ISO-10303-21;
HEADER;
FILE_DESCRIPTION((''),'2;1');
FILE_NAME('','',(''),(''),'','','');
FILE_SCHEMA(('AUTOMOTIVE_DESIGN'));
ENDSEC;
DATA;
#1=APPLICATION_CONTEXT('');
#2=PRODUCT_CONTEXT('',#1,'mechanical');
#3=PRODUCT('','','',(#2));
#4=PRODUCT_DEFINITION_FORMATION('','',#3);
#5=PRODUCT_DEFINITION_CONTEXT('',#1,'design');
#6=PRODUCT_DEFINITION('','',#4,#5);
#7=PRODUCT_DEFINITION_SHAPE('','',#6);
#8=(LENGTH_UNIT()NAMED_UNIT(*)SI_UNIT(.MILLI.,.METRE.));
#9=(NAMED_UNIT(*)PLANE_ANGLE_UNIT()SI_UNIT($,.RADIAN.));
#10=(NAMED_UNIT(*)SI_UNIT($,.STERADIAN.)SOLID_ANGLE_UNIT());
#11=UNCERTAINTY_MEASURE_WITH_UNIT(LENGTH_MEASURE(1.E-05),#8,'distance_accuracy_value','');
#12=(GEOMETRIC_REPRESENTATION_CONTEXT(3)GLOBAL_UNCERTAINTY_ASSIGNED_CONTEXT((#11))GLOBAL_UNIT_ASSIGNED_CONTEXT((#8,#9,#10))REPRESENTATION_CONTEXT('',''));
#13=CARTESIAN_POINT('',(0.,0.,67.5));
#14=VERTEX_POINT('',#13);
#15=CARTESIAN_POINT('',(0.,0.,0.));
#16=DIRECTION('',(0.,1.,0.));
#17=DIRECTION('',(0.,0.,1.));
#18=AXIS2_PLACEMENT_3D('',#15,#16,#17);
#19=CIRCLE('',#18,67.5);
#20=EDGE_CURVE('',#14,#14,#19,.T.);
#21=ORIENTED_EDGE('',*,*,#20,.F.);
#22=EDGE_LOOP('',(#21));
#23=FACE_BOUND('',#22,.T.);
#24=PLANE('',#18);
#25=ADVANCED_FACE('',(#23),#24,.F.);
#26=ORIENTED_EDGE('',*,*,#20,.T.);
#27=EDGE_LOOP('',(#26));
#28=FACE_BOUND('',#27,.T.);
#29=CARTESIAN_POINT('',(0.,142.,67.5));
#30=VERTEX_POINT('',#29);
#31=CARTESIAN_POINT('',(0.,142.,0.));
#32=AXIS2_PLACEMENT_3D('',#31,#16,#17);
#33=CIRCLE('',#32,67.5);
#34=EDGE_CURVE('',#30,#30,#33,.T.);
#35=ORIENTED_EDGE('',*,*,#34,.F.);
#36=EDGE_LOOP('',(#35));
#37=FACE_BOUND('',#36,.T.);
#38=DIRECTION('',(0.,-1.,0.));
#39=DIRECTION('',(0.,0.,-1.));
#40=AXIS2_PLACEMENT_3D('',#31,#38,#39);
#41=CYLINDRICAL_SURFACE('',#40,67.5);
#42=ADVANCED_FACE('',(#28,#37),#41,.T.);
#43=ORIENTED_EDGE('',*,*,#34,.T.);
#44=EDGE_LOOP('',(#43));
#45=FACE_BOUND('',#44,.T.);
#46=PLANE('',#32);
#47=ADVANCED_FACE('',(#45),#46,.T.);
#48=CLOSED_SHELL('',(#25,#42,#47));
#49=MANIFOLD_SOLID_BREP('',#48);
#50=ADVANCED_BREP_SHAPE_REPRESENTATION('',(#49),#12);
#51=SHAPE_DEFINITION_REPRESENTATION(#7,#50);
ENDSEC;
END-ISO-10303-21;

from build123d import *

# Parameters (mm, degrees)
SKETCH1_R      = 67.5
EXTRUDE1_DEPTH = 142


with BuildPart() as part:
    # Sketch1 → Extrude1 (new body)
    with BuildSketch(Plane(origin=(0, 0, 0), x_dir=(1, 0, 0), z_dir=(0, 1, 0))):
        with Locations(Location((0, 0, 0), (0, 0, 270))):  # turned: the seam where the file's is
            Circle(SKETCH1_R)
    extrude(amount=EXTRUDE1_DEPTH)


solid = part.part
